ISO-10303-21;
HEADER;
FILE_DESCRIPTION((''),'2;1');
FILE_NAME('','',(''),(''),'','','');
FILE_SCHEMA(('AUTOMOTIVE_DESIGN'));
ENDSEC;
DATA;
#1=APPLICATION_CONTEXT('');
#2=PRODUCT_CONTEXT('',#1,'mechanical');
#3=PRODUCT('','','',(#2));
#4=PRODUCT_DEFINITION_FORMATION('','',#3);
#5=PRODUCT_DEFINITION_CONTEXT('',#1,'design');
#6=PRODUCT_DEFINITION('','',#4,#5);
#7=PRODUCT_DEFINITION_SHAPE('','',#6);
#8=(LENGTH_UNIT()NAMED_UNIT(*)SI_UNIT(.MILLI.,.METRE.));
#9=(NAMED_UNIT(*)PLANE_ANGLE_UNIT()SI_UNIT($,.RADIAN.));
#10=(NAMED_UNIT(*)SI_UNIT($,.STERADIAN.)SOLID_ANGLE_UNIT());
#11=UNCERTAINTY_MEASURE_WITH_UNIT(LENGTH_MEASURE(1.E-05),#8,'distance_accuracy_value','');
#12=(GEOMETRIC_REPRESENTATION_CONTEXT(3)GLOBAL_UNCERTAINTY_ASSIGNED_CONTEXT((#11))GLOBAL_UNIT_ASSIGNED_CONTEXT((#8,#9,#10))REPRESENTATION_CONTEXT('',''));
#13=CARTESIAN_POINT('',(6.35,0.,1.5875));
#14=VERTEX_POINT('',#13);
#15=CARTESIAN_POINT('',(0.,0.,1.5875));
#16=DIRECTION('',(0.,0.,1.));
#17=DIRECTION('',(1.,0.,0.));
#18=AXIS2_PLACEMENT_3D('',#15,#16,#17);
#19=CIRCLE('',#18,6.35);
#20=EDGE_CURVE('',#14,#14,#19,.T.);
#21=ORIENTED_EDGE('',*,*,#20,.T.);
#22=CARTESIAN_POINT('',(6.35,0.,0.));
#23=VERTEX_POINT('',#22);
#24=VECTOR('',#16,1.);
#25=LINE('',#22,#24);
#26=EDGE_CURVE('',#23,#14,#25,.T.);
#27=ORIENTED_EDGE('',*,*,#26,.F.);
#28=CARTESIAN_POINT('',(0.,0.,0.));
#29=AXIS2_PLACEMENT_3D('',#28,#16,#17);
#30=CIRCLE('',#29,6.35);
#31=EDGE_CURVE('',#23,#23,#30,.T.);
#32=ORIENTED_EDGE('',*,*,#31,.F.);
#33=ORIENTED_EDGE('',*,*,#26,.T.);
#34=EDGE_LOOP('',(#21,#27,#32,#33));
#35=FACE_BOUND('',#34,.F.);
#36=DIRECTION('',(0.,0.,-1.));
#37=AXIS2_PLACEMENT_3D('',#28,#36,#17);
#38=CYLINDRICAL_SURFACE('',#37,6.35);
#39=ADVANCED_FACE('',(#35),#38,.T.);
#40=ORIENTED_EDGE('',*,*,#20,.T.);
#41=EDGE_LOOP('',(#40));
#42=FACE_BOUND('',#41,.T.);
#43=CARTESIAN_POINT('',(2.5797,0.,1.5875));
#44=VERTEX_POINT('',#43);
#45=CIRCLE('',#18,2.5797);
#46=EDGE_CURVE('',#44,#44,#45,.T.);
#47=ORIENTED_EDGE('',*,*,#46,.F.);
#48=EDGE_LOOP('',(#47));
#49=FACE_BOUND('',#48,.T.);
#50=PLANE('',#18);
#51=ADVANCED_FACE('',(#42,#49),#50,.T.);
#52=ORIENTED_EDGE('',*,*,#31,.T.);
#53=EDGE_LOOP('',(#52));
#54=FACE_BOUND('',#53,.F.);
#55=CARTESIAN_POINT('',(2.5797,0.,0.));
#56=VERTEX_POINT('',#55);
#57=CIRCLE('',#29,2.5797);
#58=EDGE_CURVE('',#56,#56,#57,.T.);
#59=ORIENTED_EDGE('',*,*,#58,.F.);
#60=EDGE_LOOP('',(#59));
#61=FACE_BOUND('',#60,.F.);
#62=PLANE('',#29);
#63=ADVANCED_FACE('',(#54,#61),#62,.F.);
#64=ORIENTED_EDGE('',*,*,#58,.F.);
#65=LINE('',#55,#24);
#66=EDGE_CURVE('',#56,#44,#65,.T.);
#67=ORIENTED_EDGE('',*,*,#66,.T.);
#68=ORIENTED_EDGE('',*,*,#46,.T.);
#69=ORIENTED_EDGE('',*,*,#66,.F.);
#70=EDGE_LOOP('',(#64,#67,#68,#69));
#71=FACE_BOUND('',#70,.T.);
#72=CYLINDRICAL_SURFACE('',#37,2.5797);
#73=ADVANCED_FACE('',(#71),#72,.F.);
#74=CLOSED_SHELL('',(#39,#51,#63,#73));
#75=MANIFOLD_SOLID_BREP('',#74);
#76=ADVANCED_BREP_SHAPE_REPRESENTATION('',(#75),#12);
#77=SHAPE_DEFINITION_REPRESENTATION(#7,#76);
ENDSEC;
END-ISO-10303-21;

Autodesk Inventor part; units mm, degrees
ref_plane "YZ Plane" through (0, 0, 0) normal (1, 0, 0) x (0, 1, 0)
ref_plane "XZ Plane" through (0, 0, 0) normal (0, 1, 0) x (-1, 0, 0)
ref_plane "XY Plane" through (0, 0, 0) normal (0, 0, 1) x (1, 0, 0)
sketch "Sketch1" plane through (0, 0, 0) normal (0, 0, 1) x (1, 0, 0)
  circle A0 centre (0, 0) radius 6.35
  circle A1 centre (0, 0) radius 2.5797
  dimension "d0" = 12.7
  dimension "d1" = 5.1594
extrude "Extrusion1" add sketch "Sketch1" along normal blind 1.5875
properties part number "10-24 Washer"
